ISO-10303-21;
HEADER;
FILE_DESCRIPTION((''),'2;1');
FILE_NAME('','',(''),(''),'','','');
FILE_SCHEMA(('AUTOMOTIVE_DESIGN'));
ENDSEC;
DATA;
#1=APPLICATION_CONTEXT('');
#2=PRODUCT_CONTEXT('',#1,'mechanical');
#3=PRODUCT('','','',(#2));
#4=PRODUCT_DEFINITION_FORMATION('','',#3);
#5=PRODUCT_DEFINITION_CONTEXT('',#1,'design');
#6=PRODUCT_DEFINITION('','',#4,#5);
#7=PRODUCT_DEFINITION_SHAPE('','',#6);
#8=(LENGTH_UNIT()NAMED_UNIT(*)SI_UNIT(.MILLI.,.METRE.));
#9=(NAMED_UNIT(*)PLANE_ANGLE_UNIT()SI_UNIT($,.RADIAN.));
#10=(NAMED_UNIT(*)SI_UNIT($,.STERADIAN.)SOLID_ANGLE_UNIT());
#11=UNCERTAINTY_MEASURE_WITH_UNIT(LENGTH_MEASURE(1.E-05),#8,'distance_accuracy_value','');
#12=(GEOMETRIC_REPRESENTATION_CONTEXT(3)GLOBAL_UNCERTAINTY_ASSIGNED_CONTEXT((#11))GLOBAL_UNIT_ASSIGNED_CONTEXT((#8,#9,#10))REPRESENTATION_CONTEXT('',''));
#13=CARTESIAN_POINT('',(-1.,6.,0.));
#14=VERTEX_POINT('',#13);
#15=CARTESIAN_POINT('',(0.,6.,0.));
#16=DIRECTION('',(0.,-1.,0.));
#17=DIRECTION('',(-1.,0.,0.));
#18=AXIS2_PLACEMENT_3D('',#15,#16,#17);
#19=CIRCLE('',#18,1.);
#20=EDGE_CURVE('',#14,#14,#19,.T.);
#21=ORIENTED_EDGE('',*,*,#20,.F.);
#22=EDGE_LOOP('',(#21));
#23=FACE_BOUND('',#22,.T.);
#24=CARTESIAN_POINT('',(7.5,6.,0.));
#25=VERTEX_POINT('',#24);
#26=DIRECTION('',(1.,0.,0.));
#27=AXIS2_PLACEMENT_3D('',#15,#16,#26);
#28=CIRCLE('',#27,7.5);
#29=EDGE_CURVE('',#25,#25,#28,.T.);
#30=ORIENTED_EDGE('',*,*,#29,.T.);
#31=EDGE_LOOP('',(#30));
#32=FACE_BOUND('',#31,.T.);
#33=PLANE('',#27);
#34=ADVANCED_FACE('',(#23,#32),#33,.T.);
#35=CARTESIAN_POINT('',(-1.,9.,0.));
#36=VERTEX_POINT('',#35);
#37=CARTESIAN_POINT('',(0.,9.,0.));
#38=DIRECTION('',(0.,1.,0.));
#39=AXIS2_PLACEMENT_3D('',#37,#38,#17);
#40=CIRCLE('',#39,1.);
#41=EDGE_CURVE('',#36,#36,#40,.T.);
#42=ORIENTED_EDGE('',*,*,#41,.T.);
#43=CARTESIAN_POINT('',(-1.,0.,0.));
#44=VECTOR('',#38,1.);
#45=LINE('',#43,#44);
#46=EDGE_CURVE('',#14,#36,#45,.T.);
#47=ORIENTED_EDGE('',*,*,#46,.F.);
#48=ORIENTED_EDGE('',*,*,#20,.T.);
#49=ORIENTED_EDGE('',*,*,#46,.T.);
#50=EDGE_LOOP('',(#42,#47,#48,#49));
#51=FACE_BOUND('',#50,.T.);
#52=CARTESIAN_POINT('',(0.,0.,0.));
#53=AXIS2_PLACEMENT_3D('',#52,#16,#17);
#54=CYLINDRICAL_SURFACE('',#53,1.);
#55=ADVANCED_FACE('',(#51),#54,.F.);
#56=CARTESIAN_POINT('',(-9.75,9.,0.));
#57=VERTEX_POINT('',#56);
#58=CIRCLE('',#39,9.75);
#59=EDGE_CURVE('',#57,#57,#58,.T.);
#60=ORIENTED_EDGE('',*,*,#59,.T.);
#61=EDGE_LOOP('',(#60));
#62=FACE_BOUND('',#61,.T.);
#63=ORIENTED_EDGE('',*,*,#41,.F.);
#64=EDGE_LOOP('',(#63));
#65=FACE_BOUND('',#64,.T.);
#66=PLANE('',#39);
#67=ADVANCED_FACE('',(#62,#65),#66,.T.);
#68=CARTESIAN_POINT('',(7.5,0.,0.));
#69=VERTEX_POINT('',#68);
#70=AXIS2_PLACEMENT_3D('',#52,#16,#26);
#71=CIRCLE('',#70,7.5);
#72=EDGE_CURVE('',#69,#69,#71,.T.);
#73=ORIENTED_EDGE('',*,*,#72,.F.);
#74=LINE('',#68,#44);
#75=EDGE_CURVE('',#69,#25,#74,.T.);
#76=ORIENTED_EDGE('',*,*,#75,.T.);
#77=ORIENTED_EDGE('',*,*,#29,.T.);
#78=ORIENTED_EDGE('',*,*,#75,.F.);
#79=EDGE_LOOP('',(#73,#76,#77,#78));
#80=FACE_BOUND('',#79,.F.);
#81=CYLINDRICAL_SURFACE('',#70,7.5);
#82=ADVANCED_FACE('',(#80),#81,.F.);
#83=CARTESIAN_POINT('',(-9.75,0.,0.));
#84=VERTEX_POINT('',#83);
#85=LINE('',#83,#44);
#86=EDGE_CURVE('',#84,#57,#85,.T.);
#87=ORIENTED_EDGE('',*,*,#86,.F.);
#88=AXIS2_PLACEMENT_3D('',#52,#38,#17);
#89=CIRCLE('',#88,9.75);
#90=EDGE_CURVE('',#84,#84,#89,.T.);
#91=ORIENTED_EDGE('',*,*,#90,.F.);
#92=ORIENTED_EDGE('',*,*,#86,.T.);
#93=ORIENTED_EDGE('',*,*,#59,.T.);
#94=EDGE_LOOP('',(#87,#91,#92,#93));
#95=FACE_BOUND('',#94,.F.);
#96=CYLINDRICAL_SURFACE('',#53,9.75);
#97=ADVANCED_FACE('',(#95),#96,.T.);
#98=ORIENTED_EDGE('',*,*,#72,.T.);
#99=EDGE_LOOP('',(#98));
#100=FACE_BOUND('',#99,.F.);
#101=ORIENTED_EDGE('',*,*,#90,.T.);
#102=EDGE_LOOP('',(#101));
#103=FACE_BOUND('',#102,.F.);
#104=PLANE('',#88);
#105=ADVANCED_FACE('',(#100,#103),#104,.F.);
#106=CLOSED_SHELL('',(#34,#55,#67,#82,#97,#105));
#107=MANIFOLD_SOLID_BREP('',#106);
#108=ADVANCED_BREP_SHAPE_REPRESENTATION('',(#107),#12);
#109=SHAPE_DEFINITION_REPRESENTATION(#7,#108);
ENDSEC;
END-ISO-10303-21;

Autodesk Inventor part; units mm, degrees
ref_plane "YZ Plane" through (0, 0, 0) normal (1, 0, 0) x (0, 1, 0)
ref_plane "XZ Plane" through (0, 0, 0) normal (0, 1, 0) x (-1, 0, 0)
ref_plane "XY Plane" through (0, 0, 0) normal (0, 0, 1) x (1, 0, 0)
sketch "Sketch1" plane through (0, 0, 0) normal (0, 1, 0) x (-1, 0, 0)
  circle A0 centre (0, 0) radius 9.75
  circle A1 centre (0, 0) radius 1
  dimension "d0" = 19.5
  dimension "d1" = 2
extrude "Extrusion1" add sketch "Sketch1" along normal blind 9
sketch "Sketch2" plane through (0, 0, 0) normal (0, -1, 0) x (1, 0, 0)
  circle A0 centre (0, 0) radius 7.5
  dimension "d5" = 15
extrude "Extrusion2" cut sketch "Sketch2" against normal blind 6
properties part number "wheel" material "ABS Plastic"
